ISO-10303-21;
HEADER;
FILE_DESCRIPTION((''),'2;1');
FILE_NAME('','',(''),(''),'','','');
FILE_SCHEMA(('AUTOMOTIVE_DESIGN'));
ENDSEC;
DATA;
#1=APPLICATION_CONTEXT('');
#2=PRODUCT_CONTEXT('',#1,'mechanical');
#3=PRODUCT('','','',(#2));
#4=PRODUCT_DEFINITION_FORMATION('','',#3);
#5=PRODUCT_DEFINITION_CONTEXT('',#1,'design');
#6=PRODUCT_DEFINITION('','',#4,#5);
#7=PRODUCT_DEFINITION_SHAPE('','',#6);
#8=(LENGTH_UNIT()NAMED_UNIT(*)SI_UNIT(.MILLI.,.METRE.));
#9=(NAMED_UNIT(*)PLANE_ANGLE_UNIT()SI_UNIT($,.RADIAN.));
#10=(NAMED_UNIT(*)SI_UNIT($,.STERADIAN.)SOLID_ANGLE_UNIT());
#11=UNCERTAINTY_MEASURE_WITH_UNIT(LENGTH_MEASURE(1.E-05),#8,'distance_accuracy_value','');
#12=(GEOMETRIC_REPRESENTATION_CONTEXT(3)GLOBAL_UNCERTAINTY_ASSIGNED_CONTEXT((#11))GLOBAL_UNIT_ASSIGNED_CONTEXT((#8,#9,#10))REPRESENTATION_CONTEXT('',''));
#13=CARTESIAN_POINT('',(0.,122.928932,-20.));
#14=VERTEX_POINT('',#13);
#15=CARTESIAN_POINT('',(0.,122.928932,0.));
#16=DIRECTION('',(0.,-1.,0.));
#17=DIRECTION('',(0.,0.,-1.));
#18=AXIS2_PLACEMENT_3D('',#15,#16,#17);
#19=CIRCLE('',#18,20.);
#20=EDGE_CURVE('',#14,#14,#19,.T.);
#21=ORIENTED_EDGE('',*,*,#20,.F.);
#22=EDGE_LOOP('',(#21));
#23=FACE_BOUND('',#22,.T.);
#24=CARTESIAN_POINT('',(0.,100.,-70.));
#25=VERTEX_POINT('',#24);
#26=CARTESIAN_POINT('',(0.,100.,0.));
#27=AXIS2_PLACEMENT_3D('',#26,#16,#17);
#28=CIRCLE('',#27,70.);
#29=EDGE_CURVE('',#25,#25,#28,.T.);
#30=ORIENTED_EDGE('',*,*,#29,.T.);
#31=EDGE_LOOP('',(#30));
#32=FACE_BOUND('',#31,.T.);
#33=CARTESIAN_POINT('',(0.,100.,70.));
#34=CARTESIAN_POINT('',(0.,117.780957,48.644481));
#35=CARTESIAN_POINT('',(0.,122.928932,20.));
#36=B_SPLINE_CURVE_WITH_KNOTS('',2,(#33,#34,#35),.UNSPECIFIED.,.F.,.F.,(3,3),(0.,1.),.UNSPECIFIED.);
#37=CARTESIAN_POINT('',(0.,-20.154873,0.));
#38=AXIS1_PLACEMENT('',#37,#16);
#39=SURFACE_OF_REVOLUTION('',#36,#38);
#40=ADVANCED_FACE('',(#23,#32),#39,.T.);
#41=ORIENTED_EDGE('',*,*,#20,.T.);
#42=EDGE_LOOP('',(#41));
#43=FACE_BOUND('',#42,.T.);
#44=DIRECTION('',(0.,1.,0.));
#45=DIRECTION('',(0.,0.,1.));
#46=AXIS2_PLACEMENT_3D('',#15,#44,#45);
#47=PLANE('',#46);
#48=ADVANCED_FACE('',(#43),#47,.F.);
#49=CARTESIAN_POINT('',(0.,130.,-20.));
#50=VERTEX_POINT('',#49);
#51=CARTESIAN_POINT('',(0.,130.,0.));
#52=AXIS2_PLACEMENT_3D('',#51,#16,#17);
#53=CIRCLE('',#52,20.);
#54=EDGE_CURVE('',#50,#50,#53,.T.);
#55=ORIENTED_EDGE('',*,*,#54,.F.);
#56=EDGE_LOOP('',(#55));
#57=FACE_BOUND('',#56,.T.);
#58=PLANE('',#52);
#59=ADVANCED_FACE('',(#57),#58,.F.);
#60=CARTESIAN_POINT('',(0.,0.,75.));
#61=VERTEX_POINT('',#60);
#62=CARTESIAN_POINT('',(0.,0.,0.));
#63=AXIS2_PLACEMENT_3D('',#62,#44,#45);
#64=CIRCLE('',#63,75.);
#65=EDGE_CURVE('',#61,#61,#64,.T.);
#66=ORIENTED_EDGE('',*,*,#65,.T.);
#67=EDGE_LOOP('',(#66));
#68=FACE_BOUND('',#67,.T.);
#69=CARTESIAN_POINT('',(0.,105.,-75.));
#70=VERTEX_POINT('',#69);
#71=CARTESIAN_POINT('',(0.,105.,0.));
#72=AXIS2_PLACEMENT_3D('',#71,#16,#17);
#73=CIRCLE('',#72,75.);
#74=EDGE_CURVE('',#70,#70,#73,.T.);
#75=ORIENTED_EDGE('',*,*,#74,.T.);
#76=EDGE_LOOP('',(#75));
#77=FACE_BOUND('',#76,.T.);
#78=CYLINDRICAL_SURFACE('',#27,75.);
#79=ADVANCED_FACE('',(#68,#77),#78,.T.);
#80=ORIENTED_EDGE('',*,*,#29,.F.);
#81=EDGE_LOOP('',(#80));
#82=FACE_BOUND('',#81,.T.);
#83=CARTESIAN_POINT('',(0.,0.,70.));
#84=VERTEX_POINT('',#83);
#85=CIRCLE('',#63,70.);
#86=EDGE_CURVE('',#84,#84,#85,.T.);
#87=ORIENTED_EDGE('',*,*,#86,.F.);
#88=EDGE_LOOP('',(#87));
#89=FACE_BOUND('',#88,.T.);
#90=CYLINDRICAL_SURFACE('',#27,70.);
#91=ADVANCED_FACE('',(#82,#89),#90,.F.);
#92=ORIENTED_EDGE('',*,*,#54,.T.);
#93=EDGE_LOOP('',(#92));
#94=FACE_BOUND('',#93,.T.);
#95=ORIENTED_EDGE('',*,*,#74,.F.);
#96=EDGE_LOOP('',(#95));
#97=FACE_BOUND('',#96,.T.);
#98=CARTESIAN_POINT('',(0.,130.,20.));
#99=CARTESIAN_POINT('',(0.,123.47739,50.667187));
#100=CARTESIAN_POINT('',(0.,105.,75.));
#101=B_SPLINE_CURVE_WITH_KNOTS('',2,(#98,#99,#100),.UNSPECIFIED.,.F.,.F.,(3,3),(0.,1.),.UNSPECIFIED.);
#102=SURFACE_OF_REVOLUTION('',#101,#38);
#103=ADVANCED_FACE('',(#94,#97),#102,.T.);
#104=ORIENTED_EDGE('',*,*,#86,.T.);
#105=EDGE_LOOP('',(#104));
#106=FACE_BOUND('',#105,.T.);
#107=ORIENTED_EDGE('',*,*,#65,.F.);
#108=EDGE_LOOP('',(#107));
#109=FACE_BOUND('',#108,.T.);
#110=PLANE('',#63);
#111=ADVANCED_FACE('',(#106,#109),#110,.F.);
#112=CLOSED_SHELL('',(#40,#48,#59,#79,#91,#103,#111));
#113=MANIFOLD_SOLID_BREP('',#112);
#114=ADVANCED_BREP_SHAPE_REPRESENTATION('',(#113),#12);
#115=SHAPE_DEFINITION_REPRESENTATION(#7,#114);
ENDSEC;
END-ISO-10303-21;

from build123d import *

# Parameters (mm, degrees)
SKETCH1_R           = 75
SKETCH1_R_2         = 70
BOSS_EXTRUDE1_DEPTH = 100


with BuildPart() as part:
    # Sketch1 → Boss-Extrude1 (new body)
    with BuildSketch(Plane(origin=(0, 0, 0), x_dir=(1, 0, 0), z_dir=(0, 1, 0))):
        with Locations(Location((0, 0, 0), (0, 0, 270))):
            Circle(SKETCH1_R)
        with Locations(Location((0, 0, 0), (0, 0, 270))):
            Circle(SKETCH1_R_2, mode=Mode.SUBTRACT)
    extrude(amount=BOSS_EXTRUDE1_DEPTH)

    # Sketch3 → Revolve1 (revolve)
    with BuildSketch(Plane(origin=(0, 0, 0), x_dir=(0, 0, -1), z_dir=(1, 0, 0)), mode=Mode.PRIVATE) as revolve1_sk:
        with BuildLine():
            Line((-70, 100), (-75, 100))
            Line((-75, 100), (-75, 105))
            add(Edge.make_bspline(
                [(-20, 130), (-50.667187392, 123.477390111), (-75, 105)],
                knots=[0, 0, 0, 1, 1, 1], degree=2))
            Line((-20, 130), (0, 130))
            Line((0, 130), (0, 122.928932188))
            Line((0, 122.928932188), (-20, 122.928932188))
            add(Edge.make_bspline(
                [(-20, 122.928932188), (-48.64448062, 117.780957156), (-70, 100)],
                knots=[0, 0, 0, 1, 1, 1], degree=2))
        make_face()
    revolve(revolve1_sk.sketch.rotate(Axis((0, -20.154872571, 0), (0, 1, 0)), 180), axis=Axis((0, -20.154872571, 0), (0, 1, 0)))


solid = part.part
